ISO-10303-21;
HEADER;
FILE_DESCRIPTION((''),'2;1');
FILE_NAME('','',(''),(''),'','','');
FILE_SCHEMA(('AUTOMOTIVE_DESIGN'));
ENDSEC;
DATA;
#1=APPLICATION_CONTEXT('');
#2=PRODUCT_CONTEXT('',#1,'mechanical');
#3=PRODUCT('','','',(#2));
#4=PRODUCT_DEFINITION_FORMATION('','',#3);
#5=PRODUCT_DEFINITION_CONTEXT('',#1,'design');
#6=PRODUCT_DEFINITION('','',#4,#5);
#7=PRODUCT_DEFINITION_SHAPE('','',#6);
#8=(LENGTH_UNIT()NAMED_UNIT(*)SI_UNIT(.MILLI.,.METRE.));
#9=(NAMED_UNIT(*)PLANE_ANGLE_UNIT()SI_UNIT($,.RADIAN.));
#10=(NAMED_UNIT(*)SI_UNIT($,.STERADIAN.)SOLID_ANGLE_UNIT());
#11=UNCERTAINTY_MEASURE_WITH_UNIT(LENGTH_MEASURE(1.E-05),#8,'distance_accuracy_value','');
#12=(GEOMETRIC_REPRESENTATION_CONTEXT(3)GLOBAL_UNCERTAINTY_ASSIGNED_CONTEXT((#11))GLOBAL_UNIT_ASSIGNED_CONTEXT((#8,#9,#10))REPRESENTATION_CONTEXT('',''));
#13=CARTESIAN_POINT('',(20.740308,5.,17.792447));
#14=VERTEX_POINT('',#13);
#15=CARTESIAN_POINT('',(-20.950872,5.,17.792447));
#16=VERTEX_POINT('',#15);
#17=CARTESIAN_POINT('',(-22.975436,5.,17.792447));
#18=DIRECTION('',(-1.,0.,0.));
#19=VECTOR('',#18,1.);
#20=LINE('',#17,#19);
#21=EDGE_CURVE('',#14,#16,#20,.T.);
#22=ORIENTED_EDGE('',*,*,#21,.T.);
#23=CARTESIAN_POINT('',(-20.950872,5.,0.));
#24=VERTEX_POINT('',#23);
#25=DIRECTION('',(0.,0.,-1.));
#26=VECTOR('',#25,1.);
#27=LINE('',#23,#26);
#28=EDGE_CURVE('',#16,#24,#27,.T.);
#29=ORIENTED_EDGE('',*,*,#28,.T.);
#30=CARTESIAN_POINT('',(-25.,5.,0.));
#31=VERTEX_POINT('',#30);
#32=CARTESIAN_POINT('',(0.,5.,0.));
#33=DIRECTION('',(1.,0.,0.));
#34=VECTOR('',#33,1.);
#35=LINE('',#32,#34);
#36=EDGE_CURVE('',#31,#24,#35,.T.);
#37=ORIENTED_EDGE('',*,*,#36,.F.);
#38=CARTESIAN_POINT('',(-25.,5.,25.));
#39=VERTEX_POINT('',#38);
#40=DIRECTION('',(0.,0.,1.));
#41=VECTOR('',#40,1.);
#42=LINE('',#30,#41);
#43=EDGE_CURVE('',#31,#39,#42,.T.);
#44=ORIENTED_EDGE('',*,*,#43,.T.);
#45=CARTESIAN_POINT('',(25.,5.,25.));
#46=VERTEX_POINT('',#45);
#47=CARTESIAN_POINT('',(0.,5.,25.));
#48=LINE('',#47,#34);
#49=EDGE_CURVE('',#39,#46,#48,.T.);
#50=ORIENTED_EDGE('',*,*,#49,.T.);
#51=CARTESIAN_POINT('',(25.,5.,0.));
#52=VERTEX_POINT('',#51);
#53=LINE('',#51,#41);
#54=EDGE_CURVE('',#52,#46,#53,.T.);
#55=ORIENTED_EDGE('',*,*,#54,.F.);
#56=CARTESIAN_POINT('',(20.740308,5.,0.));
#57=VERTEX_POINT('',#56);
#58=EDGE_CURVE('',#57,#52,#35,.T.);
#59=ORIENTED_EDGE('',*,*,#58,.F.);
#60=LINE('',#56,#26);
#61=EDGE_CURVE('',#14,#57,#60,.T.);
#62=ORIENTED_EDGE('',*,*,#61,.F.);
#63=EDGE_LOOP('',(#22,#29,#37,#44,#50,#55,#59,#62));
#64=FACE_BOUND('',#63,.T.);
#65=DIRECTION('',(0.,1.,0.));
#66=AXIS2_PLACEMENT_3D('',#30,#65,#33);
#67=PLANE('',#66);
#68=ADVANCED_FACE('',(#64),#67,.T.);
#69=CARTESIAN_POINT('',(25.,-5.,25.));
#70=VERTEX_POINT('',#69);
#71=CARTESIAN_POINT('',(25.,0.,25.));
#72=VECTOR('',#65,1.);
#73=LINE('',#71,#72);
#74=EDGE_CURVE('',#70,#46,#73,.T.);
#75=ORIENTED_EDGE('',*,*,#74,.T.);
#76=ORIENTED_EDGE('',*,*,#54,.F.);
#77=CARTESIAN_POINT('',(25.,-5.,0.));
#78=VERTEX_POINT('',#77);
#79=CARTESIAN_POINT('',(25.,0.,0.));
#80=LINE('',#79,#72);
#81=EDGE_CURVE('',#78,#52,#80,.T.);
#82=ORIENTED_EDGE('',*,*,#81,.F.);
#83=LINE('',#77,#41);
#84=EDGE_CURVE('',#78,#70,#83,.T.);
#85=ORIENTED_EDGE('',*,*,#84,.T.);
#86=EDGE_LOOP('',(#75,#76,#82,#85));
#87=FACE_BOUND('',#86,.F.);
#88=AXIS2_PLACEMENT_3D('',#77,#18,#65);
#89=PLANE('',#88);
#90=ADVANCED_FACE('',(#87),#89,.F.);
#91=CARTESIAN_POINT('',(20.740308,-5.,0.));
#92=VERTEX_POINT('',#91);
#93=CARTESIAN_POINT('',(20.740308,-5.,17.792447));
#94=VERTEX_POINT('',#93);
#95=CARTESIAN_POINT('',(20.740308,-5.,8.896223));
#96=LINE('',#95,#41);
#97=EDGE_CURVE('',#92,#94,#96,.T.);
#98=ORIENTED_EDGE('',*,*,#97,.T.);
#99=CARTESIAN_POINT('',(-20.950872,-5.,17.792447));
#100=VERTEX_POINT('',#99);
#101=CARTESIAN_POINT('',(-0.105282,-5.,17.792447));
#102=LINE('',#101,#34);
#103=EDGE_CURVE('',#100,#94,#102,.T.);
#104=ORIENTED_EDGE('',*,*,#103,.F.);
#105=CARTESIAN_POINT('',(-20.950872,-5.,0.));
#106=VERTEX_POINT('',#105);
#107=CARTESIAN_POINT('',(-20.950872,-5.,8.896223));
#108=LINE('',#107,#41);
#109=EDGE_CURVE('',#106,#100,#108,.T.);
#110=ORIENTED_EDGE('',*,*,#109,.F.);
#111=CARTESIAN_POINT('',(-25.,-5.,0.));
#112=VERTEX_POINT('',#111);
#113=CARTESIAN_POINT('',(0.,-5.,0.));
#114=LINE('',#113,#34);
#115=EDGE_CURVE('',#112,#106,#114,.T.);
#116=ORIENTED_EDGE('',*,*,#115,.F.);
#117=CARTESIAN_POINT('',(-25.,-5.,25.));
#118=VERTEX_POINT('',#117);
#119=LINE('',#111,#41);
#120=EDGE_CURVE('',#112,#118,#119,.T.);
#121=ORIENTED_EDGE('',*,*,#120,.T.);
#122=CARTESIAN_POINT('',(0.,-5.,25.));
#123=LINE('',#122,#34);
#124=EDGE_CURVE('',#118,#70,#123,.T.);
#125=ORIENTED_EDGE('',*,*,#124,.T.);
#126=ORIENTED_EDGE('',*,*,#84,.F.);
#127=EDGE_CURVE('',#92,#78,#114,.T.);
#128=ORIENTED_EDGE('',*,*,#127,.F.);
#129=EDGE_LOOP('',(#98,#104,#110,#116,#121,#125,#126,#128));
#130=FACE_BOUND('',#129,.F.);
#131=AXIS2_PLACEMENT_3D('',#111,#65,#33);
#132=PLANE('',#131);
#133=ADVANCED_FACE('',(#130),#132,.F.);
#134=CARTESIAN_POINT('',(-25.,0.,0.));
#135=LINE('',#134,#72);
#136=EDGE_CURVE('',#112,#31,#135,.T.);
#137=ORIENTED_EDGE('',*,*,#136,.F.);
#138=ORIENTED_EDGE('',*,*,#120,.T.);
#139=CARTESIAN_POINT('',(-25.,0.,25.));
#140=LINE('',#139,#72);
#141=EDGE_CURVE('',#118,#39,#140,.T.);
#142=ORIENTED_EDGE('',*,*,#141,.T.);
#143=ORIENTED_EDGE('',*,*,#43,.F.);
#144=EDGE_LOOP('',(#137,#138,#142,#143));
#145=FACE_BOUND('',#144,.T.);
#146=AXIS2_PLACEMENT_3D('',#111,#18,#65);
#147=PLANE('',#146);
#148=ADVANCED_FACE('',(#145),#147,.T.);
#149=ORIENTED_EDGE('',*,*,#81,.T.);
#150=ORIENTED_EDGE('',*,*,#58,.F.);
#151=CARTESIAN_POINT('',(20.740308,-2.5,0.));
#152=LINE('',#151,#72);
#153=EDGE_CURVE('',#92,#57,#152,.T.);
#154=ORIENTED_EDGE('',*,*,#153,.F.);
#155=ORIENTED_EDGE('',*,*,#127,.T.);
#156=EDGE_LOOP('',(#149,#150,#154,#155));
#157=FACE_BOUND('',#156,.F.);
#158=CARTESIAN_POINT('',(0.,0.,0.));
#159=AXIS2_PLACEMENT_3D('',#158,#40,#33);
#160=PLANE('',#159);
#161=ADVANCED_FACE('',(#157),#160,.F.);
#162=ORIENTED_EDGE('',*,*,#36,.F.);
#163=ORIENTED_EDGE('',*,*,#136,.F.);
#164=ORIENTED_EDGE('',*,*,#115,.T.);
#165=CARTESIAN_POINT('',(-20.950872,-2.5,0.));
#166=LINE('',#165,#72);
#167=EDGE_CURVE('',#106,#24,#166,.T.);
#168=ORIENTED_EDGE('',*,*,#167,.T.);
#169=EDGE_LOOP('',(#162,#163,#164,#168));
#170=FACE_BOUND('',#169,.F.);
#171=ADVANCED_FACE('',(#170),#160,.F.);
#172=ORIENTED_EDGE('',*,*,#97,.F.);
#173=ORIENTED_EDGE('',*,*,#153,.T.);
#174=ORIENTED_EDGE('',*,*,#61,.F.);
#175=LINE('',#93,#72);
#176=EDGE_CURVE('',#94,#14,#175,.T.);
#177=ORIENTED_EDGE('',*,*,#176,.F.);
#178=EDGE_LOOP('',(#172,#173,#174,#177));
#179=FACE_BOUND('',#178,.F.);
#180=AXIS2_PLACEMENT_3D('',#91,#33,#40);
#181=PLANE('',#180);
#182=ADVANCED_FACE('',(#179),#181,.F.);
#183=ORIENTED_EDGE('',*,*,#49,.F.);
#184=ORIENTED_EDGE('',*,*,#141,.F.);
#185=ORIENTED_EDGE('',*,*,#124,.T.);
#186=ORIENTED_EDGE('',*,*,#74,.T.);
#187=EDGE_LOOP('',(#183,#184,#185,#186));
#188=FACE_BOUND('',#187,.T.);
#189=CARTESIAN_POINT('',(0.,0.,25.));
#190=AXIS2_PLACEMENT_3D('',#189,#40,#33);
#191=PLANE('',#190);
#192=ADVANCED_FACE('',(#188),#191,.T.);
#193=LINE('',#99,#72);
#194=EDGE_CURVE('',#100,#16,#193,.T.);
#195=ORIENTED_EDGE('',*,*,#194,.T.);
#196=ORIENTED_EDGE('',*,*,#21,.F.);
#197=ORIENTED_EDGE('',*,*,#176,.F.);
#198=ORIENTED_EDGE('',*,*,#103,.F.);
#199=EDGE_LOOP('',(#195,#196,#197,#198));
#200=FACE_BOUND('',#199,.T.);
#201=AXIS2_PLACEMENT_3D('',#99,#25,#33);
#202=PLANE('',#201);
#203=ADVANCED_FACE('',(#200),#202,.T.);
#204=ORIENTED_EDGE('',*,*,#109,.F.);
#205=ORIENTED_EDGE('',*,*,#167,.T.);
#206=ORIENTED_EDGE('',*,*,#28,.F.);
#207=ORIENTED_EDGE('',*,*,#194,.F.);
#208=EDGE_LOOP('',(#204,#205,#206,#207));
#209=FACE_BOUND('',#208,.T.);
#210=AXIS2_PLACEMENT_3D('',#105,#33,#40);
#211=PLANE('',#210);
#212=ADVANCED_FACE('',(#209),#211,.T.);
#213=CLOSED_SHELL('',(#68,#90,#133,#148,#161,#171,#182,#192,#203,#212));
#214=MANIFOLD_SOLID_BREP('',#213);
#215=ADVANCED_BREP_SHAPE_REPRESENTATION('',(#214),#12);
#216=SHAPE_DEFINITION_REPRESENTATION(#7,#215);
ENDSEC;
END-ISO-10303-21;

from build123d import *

# Parameters (mm, degrees)
F0_W     = 50
F0_H     = 10
F1_DEPTH = 25
F2_W     = 41.691179
F2_H     = 17.792447
F3_DEPTH = 10.001


with BuildPart() as f1:
    # F0 (on Top) → F1 (new body)
    with BuildSketch(Plane.XY):
        Rectangle(F0_W, F0_H)
    extrude(amount=F1_DEPTH)

    # F2 (on face) → F3 (cut, through all)
    with BuildSketch(Plane.XZ.offset(5)):
        with Locations((-0.105282, 8.896223)):
            Rectangle(F2_W, F2_H)
    extrude(amount=-F3_DEPTH, mode=Mode.SUBTRACT)


solid = f1.part
